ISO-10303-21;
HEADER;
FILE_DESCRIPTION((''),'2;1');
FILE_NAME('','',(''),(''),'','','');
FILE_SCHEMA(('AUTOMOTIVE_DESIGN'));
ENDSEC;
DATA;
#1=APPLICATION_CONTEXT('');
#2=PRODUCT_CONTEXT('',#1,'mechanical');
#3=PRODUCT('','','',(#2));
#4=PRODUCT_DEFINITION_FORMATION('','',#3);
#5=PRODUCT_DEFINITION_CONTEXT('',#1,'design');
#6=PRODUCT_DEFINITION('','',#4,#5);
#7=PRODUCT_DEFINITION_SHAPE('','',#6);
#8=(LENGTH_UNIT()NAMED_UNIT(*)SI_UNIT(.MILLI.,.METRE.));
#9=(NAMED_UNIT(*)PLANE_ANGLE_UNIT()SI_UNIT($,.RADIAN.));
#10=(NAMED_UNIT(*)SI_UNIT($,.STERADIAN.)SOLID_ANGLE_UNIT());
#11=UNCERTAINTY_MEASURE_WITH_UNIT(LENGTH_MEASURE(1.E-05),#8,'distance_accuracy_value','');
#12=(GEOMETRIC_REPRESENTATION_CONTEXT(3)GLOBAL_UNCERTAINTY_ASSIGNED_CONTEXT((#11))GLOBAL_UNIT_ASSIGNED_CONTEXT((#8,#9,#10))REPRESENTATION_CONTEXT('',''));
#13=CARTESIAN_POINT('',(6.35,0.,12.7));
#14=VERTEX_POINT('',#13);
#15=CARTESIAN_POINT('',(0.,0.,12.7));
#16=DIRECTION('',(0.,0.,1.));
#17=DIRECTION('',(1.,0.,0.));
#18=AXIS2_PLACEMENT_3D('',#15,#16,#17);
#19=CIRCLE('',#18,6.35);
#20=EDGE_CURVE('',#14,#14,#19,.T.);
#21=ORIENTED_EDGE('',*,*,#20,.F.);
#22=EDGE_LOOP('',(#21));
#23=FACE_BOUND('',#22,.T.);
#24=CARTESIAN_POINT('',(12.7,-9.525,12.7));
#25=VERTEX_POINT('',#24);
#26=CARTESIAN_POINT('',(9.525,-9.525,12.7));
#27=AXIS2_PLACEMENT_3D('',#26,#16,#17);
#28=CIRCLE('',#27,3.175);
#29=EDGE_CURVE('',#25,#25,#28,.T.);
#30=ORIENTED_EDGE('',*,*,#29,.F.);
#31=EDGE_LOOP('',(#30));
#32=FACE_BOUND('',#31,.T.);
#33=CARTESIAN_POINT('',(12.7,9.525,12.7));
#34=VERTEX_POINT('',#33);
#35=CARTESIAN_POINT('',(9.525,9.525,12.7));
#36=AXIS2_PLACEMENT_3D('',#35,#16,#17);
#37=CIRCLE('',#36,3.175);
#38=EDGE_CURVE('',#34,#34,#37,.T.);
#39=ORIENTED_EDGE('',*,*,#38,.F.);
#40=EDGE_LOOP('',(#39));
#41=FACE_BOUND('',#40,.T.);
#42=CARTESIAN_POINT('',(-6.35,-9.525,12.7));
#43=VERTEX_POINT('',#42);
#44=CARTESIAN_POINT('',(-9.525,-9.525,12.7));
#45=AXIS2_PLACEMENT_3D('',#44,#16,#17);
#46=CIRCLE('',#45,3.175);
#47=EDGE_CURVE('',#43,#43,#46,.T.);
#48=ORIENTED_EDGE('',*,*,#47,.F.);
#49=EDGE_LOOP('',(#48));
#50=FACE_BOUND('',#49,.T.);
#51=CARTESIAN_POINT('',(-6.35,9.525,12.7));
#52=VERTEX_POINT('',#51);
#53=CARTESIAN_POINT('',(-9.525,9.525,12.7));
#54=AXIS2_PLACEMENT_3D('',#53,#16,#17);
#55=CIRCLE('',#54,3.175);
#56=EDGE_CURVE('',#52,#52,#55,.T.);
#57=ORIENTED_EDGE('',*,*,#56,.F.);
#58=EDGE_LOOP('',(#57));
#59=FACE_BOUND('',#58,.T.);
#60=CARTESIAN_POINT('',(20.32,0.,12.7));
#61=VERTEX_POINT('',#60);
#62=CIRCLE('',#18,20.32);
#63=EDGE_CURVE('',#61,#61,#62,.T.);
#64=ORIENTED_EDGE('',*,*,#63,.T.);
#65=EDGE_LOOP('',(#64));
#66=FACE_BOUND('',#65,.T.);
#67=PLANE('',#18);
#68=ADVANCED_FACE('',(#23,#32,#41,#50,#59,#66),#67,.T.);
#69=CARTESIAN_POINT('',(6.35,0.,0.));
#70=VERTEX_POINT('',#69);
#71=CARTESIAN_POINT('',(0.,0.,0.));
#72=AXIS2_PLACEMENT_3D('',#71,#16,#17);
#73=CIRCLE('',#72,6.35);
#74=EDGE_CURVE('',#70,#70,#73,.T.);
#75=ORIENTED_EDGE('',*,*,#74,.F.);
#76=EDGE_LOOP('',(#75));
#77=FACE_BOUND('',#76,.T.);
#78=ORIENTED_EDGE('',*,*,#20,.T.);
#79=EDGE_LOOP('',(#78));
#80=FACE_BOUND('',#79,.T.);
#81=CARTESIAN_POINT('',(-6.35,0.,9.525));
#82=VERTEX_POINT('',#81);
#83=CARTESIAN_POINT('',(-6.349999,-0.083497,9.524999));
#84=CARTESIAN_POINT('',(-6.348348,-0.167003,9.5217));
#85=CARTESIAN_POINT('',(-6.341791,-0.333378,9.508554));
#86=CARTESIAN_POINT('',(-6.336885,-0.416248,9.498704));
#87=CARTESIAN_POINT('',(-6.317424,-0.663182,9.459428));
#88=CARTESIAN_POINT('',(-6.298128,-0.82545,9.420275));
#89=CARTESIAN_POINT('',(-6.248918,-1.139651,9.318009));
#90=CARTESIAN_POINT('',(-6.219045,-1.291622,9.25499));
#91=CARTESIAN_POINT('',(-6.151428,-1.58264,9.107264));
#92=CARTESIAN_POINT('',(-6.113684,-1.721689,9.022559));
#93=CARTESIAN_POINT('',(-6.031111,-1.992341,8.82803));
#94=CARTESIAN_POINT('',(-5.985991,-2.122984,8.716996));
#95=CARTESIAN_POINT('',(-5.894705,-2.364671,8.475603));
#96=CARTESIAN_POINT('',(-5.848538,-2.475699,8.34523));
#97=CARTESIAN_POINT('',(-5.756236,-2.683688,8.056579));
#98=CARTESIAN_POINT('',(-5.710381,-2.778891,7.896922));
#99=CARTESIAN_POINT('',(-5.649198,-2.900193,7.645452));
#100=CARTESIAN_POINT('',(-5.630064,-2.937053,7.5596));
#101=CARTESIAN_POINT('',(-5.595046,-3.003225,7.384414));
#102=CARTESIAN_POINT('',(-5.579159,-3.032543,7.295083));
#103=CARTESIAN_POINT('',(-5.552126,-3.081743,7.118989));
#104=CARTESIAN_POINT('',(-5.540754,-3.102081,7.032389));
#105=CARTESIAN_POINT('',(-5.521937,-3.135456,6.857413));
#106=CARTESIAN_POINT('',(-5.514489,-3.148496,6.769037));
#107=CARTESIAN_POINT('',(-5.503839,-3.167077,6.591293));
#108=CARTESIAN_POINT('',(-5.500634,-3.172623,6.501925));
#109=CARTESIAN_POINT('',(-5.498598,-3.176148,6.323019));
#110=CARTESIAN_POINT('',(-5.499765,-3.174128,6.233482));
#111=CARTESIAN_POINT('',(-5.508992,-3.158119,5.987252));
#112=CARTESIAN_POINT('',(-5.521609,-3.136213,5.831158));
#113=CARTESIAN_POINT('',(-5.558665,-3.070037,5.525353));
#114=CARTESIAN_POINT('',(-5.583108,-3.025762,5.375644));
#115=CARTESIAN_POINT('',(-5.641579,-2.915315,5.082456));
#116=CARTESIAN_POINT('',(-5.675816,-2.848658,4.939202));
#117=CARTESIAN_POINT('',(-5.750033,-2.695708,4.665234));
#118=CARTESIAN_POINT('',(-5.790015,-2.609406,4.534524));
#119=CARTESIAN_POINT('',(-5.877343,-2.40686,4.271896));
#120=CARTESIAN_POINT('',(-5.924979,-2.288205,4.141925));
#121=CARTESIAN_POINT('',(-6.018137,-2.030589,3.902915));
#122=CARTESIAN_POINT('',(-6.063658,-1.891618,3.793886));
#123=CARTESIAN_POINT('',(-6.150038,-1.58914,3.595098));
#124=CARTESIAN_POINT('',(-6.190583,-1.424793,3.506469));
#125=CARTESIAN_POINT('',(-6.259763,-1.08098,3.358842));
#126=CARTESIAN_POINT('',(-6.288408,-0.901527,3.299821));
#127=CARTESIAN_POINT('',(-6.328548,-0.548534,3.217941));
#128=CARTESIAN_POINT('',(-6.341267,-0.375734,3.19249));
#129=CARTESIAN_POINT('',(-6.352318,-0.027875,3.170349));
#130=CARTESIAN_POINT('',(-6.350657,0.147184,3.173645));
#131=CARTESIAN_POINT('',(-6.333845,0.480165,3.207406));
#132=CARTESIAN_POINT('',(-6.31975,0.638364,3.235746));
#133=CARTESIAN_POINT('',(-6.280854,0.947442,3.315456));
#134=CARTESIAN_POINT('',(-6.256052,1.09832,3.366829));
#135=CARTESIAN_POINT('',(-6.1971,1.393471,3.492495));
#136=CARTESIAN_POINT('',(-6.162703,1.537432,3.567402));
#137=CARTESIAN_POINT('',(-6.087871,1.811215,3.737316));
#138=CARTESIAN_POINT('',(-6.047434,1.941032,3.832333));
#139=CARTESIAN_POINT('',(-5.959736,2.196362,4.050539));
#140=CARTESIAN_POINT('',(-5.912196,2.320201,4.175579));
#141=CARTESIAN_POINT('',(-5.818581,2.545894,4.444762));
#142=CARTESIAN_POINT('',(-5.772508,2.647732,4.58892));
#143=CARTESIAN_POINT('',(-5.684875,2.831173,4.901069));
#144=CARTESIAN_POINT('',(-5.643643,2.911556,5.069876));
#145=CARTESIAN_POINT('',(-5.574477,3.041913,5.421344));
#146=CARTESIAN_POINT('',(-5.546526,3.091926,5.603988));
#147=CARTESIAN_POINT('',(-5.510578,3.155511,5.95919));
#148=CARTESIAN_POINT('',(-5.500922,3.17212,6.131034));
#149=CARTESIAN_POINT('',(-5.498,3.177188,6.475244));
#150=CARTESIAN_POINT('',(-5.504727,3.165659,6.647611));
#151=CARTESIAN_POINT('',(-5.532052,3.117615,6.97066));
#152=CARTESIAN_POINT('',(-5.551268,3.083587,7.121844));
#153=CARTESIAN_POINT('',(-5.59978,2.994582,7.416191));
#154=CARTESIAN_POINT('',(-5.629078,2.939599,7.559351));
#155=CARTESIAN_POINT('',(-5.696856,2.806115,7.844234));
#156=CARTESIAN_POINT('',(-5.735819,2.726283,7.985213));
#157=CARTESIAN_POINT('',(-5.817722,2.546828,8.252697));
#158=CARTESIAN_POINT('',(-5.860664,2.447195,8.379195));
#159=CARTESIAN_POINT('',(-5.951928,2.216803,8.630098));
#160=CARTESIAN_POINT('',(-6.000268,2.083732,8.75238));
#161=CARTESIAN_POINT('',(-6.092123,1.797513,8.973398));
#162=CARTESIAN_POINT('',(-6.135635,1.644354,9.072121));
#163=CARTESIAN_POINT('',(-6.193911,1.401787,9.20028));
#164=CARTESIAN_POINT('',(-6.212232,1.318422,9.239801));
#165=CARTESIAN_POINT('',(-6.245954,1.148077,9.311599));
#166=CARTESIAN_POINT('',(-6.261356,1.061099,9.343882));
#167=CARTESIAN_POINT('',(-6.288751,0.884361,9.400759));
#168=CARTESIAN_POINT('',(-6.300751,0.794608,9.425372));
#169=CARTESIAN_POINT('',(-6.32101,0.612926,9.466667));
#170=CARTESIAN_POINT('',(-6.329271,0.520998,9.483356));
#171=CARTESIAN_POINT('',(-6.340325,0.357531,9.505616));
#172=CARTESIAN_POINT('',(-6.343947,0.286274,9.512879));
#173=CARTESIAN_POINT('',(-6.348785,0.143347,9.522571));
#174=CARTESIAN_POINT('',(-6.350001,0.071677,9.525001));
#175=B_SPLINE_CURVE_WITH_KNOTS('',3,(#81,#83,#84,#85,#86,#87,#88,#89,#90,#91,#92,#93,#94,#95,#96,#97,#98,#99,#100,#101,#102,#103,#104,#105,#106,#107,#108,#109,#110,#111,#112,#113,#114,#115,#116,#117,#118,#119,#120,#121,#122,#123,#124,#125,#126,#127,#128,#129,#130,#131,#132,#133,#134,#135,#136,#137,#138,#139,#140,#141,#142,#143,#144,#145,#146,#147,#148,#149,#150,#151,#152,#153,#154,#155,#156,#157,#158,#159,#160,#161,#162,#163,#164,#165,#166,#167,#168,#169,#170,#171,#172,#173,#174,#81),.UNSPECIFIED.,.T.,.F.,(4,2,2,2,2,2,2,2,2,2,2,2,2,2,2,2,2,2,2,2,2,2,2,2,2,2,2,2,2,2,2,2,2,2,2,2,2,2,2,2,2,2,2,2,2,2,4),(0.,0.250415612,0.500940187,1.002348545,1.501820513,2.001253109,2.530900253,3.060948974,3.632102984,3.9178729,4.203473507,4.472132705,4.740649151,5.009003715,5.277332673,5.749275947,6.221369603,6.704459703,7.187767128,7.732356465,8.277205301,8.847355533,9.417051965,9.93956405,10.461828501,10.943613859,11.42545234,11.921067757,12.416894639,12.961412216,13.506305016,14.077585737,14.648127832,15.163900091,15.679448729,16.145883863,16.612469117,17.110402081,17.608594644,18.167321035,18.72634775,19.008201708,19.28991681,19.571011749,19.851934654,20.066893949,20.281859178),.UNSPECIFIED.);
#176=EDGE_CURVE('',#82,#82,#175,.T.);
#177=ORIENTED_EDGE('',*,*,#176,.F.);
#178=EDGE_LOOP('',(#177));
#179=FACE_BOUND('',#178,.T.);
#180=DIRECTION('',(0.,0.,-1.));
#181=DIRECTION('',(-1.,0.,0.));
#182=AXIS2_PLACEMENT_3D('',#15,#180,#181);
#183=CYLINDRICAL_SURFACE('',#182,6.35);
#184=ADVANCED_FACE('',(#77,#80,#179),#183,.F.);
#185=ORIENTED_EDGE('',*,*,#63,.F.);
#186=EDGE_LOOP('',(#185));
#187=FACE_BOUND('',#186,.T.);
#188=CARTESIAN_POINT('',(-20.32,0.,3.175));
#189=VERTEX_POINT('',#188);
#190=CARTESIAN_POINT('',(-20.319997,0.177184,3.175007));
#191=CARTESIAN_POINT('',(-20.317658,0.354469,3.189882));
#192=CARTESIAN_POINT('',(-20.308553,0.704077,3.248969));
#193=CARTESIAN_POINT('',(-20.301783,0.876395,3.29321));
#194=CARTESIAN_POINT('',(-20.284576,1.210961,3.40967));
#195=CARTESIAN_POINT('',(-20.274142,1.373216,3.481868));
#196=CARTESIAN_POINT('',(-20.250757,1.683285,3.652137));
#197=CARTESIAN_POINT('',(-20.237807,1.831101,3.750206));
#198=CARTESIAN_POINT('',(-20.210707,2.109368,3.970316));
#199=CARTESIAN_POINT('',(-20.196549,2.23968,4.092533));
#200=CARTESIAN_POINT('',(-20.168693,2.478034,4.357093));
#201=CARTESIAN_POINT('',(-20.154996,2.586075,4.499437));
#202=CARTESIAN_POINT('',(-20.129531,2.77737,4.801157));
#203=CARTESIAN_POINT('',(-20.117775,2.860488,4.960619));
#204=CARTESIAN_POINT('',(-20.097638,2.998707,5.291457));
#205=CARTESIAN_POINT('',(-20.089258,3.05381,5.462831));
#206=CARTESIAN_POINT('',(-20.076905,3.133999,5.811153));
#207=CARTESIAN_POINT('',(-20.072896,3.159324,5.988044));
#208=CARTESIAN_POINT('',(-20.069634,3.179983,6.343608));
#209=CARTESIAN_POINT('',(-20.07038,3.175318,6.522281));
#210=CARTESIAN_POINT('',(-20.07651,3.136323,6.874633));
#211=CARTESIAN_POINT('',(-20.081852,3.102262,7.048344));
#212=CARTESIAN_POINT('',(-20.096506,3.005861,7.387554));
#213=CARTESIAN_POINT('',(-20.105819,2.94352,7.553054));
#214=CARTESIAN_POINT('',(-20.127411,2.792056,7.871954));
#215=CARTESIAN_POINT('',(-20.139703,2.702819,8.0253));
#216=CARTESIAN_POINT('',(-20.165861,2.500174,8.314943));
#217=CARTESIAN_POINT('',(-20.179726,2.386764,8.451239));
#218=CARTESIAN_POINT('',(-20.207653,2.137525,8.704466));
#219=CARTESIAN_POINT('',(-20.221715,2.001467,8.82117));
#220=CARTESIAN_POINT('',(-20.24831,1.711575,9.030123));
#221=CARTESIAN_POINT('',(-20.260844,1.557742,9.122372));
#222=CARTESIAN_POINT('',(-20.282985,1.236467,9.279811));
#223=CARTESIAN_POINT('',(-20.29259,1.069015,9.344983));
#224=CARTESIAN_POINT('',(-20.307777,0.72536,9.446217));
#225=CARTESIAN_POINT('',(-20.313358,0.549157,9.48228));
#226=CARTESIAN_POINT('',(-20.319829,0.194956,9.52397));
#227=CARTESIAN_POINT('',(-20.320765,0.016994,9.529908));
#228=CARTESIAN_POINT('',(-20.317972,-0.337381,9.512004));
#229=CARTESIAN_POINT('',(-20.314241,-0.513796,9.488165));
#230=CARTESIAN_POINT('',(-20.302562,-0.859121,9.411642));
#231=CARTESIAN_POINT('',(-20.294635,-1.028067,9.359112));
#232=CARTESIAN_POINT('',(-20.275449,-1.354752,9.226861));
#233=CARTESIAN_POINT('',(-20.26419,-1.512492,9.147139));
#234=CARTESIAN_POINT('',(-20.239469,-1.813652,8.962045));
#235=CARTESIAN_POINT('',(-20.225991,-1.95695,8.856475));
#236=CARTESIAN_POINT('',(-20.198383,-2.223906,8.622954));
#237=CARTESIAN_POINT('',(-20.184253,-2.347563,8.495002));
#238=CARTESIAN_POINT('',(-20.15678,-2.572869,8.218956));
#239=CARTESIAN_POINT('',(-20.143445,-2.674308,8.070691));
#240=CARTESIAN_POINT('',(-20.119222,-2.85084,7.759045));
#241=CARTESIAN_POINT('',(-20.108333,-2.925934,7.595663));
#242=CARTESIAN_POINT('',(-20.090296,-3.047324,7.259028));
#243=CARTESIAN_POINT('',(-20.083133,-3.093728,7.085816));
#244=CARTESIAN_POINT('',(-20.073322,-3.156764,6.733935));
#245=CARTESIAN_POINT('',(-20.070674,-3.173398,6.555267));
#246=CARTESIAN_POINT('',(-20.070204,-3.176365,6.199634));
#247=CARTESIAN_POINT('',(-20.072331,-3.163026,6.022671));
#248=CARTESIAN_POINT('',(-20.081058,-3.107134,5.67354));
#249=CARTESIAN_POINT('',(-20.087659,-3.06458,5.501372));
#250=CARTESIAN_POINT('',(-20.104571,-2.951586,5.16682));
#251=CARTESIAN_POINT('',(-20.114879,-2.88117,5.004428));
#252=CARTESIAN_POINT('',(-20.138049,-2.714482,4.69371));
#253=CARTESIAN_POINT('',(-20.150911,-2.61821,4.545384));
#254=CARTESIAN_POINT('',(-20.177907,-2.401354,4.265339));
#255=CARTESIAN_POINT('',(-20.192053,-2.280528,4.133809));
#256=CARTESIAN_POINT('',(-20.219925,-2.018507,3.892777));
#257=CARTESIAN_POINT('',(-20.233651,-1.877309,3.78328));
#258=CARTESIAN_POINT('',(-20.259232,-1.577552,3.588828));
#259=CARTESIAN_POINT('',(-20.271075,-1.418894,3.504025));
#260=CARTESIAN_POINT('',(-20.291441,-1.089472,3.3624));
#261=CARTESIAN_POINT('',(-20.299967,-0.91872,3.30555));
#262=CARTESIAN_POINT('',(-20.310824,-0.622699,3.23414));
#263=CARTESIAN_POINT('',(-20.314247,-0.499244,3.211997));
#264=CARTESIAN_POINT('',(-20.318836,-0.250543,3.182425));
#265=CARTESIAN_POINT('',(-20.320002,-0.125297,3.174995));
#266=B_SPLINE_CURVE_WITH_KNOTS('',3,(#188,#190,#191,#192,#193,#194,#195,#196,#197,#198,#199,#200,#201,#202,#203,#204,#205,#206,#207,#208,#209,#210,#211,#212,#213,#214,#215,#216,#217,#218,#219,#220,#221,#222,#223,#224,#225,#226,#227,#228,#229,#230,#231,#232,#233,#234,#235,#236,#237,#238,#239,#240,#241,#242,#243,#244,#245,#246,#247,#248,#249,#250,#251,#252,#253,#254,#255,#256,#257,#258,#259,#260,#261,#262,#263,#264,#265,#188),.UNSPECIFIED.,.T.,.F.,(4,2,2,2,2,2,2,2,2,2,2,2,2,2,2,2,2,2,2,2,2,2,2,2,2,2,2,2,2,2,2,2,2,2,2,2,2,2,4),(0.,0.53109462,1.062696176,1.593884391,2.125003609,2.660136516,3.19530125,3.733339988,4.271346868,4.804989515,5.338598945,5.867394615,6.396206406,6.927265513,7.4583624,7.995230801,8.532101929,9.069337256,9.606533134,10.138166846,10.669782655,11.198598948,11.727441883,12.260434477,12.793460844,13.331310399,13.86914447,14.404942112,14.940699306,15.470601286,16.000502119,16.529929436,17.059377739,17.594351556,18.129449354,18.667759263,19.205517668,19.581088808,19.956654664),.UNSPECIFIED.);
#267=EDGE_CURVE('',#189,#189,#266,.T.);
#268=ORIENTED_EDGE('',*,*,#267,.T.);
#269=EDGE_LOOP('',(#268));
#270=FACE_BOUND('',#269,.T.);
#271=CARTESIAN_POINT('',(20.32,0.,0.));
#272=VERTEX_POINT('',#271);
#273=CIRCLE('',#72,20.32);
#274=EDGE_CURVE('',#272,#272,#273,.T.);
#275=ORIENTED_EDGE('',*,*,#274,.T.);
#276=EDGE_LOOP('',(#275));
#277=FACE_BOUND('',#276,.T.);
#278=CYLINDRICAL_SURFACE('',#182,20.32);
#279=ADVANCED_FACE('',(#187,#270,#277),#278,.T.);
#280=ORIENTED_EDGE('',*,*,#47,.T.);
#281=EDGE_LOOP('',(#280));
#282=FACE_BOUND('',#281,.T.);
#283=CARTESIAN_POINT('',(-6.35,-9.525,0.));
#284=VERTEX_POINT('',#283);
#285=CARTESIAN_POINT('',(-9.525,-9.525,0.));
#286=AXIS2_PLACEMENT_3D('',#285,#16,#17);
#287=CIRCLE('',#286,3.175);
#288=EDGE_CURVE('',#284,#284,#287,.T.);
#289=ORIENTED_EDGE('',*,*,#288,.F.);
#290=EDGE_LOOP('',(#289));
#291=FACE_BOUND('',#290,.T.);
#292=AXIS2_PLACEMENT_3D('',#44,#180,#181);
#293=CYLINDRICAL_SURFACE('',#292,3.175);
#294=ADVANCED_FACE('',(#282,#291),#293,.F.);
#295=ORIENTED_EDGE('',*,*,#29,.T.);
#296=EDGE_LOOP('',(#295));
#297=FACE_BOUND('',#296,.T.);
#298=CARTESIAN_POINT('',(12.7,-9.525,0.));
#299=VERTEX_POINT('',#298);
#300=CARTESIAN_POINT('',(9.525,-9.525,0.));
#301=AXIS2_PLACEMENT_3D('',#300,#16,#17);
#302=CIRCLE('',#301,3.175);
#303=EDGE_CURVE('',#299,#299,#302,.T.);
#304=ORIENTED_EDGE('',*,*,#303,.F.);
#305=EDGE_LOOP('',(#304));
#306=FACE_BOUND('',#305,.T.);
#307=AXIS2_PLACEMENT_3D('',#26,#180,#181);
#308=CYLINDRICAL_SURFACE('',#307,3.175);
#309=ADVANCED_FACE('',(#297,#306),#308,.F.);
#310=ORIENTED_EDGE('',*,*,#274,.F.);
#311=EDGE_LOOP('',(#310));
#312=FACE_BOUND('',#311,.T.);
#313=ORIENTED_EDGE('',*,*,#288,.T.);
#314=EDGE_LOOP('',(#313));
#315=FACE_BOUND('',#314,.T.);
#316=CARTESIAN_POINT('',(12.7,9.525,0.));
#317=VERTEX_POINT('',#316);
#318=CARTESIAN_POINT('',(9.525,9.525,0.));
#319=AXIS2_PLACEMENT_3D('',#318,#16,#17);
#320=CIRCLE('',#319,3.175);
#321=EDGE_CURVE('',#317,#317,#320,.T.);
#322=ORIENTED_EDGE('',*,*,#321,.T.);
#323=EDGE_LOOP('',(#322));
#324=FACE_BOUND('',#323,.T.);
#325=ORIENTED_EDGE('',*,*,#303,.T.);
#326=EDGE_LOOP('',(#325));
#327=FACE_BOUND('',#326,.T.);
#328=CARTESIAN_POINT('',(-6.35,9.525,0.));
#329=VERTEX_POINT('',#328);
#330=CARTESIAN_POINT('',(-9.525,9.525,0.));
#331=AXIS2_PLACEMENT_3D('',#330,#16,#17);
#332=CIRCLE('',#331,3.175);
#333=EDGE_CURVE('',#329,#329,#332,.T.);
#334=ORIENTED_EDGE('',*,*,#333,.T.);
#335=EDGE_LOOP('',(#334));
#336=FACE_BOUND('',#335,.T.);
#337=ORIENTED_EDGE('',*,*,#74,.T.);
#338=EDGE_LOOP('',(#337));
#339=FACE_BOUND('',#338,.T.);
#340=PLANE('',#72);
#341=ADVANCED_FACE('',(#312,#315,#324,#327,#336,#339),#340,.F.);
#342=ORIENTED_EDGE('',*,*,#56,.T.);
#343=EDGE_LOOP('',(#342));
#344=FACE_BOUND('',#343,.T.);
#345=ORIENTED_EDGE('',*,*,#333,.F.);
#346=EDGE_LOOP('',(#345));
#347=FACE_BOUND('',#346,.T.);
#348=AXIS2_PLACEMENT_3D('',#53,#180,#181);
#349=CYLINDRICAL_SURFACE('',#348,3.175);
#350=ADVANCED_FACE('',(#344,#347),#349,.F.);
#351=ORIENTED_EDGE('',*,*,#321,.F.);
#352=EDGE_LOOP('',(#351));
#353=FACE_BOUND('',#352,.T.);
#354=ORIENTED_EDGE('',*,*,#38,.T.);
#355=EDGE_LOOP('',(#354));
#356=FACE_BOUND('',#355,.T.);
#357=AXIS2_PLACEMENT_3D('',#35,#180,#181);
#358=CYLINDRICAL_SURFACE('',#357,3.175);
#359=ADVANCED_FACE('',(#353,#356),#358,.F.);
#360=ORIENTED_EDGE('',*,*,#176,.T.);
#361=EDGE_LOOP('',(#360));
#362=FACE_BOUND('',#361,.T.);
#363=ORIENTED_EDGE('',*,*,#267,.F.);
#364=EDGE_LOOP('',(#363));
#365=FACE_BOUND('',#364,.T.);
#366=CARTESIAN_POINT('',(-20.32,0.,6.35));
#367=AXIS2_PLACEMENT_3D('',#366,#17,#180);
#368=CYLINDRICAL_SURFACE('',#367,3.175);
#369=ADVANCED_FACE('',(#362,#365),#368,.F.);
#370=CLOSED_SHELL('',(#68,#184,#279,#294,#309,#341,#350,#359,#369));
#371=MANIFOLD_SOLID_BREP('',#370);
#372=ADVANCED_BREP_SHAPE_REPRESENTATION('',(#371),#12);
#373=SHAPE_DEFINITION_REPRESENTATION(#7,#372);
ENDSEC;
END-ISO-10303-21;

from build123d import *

# Parameters (mm, degrees)
SKETCH1_R           = 20.32
SKETCH1_R_2         = 3.175
SKETCH1_R_3         = 6.35
BOSS_EXTRUDE1_DEPTH = 12.7
SKETCH2_R           = 3.175
CUT_EXTRUDE1_DEPTH  = 21.32


with BuildPart() as part:
    # Sketch1 → Boss-Extrude1 (new body)
    with BuildSketch(Plane.XY):
        Circle(SKETCH1_R)
        with Locations((-9.525, -9.525)):
            Circle(SKETCH1_R_2, mode=Mode.SUBTRACT)
        with Locations((9.525, -9.525)):
            Circle(SKETCH1_R_2, mode=Mode.SUBTRACT)
        with Locations((9.525, 9.525)):
            Circle(SKETCH1_R_2, mode=Mode.SUBTRACT)
        with Locations((-9.525, 9.525)):
            Circle(SKETCH1_R_2, mode=Mode.SUBTRACT)
        Circle(SKETCH1_R_3, mode=Mode.SUBTRACT)
    extrude(amount=BOSS_EXTRUDE1_DEPTH)

    # Sketch2 → Cut-Extrude1 (cut, through all)
    with BuildSketch(Plane(origin=(0, 0, 0), x_dir=(0, 0, -1), z_dir=(1, 0, 0))):
        with Locations((-6.35, 0)):
            Circle(SKETCH2_R)
    extrude(amount=-CUT_EXTRUDE1_DEPTH, mode=Mode.SUBTRACT)


solid = part.part
